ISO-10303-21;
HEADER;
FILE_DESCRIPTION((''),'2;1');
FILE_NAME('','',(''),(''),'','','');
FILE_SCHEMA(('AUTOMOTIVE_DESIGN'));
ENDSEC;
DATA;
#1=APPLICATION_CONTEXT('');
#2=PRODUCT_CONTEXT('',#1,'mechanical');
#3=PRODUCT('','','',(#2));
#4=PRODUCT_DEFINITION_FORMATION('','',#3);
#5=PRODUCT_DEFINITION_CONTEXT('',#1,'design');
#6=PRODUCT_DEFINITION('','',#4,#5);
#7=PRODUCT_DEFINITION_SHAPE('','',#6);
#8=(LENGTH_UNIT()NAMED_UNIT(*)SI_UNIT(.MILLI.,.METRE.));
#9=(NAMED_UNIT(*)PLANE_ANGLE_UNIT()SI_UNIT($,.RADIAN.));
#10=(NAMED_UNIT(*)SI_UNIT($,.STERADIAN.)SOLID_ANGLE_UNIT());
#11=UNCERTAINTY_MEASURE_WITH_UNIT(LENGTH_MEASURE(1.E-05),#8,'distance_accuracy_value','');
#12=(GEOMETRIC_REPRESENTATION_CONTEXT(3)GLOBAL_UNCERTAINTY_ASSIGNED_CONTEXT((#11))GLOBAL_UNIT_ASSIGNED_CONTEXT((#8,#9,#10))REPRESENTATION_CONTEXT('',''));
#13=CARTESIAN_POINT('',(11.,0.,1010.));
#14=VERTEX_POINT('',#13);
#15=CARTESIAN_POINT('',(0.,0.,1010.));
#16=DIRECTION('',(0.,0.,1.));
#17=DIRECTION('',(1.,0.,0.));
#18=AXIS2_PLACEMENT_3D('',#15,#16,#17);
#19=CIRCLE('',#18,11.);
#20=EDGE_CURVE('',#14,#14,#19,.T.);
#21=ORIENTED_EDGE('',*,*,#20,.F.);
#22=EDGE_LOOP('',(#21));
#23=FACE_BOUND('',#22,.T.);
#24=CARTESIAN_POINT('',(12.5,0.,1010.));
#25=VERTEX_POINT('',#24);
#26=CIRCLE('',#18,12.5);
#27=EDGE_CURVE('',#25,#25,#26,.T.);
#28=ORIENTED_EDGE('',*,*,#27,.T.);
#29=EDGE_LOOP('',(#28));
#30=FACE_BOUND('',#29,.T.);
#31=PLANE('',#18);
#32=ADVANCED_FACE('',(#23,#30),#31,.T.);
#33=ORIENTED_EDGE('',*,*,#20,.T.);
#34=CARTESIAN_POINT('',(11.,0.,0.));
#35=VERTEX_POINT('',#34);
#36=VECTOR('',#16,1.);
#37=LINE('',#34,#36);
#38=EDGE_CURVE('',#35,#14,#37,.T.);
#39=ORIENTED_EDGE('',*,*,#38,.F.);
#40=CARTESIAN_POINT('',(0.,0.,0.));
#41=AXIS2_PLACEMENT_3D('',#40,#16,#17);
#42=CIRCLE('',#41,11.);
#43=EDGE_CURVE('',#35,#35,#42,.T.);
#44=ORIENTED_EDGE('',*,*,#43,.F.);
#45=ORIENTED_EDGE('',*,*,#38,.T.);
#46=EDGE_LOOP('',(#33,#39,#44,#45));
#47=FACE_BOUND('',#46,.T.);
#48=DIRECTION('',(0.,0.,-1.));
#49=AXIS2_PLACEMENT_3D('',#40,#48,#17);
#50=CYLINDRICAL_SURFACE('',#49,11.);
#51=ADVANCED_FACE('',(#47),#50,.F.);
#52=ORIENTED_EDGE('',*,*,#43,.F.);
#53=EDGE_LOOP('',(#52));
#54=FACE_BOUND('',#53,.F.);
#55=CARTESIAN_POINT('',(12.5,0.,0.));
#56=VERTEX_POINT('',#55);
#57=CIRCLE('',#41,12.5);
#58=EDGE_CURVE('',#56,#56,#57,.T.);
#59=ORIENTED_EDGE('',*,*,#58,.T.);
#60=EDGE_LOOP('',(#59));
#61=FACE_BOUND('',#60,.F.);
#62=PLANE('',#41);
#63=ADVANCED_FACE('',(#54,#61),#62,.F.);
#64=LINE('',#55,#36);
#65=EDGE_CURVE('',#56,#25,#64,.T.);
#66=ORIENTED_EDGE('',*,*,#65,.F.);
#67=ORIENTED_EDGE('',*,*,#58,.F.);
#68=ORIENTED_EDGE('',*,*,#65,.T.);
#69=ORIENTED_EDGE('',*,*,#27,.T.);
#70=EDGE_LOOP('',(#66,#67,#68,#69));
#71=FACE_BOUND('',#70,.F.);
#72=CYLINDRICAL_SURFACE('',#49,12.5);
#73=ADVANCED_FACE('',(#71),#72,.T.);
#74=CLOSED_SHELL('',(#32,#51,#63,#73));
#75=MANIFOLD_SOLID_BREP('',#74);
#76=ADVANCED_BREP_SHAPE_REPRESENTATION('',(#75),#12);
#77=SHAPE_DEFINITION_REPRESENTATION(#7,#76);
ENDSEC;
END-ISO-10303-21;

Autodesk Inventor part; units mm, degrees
ref_plane "YZ Plane" through (0, 0, 0) normal (1, 0, 0) x (0, 1, 0)
ref_plane "Start plane" through (0, 0, 0) normal (0, 0, 1) x (1, 0, 0)
ref_plane "End plane" through (0, 0, 1010) normal (0, 0, 1) x (1, 0, 0)
sketch "Sketch" plane through (0, 0, 0) normal (0, 0, 1) x (1, 0, 0)
  circle A0 centre (0, 0) radius 11
  circle A1 centre (0, 0) radius 12.5
  dimension "d0" = 25
  dimension "d1" = 1.5
extrude "Body" add sketch "Sketch" along normal up to surface (1010 mm away) from surface at 0
sketch "Sketch3" plane through (0, 0, 0) normal (0, 0, 1) x (1, 0, 0)
  line L0 (0, 0) -> (10, 0)
ref_plane "Work Plane3" through (0, 0, 0) normal (0, -1, 0) x (1, 0, 0)
sketch "Sketch4" plane through (0, 0, 0) normal (0, -1, 0) x (1, 0, 0)
  line L0 (-2, 0) -> (12, 0)
  line L1 (-2, 1010) -> (12, 1010)
  dimension "d7" = 1010
equation "\"d0\" = G_H"
equation "\"d1\" = G_T"
equation "\"d2\" = G_L"
equation "\"G_H\" = 25"
equation "\"G_T\" = 1.5"
equation "\"G_L\" = d7"
equation "\"G_OFFSET_START\" = 0"
equation "\"G_OFFSET_END\" = 0"
properties part number "CSN EN 10305-1 -  E235 -  25 x 1,5 - 1010" material "Steel, Mild"
